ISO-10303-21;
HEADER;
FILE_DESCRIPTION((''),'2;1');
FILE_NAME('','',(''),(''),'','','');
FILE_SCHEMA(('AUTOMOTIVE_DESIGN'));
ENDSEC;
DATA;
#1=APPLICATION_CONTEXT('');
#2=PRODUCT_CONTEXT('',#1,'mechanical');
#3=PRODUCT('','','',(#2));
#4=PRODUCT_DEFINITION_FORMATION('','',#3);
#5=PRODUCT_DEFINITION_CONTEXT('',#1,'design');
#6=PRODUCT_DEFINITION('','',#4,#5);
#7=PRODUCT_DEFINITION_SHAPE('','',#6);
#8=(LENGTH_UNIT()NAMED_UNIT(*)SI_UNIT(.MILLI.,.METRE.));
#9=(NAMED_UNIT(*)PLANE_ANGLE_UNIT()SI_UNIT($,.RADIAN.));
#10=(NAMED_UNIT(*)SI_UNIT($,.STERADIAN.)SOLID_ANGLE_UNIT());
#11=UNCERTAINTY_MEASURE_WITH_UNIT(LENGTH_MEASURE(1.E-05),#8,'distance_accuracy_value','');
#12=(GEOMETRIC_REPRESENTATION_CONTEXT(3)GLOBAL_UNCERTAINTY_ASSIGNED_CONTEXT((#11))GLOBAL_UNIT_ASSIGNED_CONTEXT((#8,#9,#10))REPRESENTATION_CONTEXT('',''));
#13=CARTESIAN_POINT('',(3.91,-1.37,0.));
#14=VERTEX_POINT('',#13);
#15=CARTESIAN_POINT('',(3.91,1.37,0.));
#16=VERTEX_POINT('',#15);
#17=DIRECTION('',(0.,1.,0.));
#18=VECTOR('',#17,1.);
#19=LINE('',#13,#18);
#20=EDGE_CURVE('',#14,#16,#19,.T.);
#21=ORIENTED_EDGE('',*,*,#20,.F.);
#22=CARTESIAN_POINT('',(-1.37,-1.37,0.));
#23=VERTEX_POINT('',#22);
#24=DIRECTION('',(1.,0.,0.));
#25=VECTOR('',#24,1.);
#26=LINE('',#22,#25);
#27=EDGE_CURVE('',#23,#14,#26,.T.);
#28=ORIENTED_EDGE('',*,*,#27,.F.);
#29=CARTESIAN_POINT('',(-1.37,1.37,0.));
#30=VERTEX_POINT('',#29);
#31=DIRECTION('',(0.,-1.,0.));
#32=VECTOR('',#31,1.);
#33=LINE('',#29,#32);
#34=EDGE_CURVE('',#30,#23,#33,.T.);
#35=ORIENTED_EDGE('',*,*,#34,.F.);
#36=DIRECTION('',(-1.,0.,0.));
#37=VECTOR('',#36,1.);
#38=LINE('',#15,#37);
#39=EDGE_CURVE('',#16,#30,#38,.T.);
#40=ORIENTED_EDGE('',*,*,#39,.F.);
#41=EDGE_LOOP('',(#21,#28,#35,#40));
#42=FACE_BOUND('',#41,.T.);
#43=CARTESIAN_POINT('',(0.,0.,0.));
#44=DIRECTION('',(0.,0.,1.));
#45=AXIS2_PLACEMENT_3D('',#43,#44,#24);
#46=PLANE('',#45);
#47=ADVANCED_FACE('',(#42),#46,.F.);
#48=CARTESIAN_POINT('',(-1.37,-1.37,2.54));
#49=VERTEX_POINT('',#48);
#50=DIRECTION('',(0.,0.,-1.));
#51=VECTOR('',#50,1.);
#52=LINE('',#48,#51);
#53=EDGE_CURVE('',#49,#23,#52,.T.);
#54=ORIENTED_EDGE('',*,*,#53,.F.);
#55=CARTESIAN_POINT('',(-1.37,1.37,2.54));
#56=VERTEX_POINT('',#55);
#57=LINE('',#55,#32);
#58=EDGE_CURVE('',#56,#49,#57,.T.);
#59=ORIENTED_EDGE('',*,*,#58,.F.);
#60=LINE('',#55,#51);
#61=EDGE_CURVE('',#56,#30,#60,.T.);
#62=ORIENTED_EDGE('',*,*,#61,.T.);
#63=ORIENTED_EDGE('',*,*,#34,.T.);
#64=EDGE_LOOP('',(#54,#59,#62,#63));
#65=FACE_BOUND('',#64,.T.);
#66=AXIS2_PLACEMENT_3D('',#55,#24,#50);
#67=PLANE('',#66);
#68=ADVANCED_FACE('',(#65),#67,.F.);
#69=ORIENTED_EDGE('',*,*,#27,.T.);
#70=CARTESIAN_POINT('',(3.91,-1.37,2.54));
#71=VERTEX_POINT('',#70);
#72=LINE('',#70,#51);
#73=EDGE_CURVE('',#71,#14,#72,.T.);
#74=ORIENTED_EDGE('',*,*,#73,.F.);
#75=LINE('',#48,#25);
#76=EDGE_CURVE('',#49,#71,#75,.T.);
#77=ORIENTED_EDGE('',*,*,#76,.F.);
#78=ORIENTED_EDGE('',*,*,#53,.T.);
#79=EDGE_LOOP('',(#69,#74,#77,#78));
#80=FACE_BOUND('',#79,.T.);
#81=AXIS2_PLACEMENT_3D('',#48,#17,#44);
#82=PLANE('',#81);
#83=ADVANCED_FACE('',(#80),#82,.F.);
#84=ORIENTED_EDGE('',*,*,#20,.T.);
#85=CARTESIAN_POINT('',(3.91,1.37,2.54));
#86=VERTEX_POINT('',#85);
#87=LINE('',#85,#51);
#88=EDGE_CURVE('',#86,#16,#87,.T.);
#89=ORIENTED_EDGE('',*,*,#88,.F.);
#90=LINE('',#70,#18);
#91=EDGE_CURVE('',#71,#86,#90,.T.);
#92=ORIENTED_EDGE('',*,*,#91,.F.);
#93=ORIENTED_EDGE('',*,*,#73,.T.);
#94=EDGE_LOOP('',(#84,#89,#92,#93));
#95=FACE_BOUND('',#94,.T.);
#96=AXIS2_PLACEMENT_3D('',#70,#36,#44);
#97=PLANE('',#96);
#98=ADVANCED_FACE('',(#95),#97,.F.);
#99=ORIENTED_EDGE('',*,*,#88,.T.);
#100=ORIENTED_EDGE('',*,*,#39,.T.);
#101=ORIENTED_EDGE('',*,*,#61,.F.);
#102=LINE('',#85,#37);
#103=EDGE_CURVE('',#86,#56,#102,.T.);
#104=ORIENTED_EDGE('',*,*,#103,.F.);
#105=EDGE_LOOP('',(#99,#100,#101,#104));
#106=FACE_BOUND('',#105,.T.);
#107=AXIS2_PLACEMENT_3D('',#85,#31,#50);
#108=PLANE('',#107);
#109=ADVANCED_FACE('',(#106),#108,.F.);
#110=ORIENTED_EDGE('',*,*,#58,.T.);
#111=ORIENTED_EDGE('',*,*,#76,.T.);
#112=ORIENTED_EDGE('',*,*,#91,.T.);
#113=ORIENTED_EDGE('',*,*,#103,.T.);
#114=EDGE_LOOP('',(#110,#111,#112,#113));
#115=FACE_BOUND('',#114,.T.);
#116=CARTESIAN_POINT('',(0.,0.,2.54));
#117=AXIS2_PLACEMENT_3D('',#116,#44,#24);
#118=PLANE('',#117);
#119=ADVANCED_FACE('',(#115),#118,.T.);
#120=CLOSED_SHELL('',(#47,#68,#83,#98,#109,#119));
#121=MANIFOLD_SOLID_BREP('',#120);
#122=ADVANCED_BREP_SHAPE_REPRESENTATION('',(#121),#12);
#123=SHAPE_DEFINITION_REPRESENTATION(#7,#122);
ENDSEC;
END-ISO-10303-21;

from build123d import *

# Parameters (mm, degrees)
SKETCH1_W               = 5.2799996
SKETCH1_H               = 2.7399996
COMPONENT_OUTLINE_DEPTH = 2.54


with BuildPart() as part:
    # Sketch1 → Component_Outline (new body)
    with BuildSketch(Plane.XY):
        with Locations((1.27, 0)):
            Rectangle(SKETCH1_W, SKETCH1_H)
    extrude(amount=COMPONENT_OUTLINE_DEPTH)


solid = part.part
